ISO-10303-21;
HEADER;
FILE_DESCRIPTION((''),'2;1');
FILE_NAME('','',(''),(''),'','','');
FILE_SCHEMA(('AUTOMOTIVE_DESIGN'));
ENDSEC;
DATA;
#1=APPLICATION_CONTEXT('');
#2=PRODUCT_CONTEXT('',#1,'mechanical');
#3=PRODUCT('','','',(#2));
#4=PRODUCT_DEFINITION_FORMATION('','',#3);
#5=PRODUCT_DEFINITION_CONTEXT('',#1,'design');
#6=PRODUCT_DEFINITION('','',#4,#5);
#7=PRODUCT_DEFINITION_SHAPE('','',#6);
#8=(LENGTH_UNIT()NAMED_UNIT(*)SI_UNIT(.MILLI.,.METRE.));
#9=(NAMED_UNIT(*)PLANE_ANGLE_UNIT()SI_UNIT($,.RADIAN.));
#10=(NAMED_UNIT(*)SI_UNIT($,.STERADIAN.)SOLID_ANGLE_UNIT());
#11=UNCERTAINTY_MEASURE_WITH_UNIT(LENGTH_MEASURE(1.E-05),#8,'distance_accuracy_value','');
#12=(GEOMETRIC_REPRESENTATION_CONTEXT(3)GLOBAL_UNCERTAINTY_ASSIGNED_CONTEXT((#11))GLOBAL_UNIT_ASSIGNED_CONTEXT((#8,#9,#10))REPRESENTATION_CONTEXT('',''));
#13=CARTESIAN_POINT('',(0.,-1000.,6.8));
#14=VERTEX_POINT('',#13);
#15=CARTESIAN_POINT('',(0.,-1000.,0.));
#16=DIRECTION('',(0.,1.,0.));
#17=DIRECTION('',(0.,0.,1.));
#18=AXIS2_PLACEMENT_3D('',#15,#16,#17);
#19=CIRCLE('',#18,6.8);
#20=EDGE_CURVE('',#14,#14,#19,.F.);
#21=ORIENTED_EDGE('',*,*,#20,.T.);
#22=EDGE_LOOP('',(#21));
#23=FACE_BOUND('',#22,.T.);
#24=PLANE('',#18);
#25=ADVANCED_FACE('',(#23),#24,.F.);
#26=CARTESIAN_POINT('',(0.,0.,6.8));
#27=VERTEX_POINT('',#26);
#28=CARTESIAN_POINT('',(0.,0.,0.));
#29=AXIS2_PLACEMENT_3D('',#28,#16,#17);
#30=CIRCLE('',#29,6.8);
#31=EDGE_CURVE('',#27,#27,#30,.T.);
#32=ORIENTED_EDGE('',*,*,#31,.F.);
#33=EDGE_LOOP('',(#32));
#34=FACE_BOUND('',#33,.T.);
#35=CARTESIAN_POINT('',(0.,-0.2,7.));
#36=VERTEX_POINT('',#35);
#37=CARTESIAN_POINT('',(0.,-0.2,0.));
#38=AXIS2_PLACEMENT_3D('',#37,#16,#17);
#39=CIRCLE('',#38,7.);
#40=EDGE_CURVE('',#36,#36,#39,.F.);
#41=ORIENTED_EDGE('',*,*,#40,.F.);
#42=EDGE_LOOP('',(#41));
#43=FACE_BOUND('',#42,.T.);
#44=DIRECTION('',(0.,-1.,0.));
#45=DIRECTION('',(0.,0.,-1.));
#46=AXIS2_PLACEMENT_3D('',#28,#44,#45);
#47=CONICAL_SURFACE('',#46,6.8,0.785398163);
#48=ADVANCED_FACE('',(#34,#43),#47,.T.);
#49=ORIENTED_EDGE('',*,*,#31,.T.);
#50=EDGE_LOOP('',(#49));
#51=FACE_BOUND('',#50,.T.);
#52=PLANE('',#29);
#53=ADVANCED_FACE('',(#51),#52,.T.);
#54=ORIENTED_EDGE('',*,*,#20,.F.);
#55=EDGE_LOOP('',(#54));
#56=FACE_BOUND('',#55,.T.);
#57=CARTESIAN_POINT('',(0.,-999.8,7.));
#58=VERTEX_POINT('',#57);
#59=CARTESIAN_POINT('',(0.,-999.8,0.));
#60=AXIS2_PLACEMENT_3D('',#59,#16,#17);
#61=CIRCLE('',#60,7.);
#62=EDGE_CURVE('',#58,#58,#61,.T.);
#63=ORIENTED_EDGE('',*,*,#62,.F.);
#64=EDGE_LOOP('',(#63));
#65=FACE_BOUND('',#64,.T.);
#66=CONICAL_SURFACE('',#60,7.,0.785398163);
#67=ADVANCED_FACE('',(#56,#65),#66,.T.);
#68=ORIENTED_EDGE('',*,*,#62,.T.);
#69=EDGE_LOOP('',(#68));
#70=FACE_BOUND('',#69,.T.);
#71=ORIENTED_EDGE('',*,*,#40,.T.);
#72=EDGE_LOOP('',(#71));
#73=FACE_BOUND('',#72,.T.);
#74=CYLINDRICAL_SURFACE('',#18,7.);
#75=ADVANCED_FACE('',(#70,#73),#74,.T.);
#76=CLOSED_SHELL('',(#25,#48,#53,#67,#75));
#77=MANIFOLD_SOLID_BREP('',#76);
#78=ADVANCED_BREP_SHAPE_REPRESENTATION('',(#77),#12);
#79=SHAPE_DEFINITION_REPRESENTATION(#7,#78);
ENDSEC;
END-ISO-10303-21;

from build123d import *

# Parameters (mm, degrees)
SKIZZE1_R                       = 7
AUFSATZ_LINEAR_AUSTRAGEN1_DEPTH = 1000
FASE1_SIZE                      = 0.2


with BuildPart() as part:
    # Skizze1 → Aufsatz-Linear austragen1 (new body)
    with BuildSketch(Plane(origin=(0, 0, 0), x_dir=(1, 0, 0), z_dir=(0, 1, 0))):
        Circle(SKIZZE1_R)
    extrude(amount=-AUFSATZ_LINEAR_AUSTRAGEN1_DEPTH)

    # Fase1
    fase1_edges = [part.edges().sort_by_distance(p)[0] for p in [
        (-7, 0, 0),
        (-7, -1000, 0),
    ]]
    chamfer(fase1_edges, length=FASE1_SIZE)


solid = part.part
